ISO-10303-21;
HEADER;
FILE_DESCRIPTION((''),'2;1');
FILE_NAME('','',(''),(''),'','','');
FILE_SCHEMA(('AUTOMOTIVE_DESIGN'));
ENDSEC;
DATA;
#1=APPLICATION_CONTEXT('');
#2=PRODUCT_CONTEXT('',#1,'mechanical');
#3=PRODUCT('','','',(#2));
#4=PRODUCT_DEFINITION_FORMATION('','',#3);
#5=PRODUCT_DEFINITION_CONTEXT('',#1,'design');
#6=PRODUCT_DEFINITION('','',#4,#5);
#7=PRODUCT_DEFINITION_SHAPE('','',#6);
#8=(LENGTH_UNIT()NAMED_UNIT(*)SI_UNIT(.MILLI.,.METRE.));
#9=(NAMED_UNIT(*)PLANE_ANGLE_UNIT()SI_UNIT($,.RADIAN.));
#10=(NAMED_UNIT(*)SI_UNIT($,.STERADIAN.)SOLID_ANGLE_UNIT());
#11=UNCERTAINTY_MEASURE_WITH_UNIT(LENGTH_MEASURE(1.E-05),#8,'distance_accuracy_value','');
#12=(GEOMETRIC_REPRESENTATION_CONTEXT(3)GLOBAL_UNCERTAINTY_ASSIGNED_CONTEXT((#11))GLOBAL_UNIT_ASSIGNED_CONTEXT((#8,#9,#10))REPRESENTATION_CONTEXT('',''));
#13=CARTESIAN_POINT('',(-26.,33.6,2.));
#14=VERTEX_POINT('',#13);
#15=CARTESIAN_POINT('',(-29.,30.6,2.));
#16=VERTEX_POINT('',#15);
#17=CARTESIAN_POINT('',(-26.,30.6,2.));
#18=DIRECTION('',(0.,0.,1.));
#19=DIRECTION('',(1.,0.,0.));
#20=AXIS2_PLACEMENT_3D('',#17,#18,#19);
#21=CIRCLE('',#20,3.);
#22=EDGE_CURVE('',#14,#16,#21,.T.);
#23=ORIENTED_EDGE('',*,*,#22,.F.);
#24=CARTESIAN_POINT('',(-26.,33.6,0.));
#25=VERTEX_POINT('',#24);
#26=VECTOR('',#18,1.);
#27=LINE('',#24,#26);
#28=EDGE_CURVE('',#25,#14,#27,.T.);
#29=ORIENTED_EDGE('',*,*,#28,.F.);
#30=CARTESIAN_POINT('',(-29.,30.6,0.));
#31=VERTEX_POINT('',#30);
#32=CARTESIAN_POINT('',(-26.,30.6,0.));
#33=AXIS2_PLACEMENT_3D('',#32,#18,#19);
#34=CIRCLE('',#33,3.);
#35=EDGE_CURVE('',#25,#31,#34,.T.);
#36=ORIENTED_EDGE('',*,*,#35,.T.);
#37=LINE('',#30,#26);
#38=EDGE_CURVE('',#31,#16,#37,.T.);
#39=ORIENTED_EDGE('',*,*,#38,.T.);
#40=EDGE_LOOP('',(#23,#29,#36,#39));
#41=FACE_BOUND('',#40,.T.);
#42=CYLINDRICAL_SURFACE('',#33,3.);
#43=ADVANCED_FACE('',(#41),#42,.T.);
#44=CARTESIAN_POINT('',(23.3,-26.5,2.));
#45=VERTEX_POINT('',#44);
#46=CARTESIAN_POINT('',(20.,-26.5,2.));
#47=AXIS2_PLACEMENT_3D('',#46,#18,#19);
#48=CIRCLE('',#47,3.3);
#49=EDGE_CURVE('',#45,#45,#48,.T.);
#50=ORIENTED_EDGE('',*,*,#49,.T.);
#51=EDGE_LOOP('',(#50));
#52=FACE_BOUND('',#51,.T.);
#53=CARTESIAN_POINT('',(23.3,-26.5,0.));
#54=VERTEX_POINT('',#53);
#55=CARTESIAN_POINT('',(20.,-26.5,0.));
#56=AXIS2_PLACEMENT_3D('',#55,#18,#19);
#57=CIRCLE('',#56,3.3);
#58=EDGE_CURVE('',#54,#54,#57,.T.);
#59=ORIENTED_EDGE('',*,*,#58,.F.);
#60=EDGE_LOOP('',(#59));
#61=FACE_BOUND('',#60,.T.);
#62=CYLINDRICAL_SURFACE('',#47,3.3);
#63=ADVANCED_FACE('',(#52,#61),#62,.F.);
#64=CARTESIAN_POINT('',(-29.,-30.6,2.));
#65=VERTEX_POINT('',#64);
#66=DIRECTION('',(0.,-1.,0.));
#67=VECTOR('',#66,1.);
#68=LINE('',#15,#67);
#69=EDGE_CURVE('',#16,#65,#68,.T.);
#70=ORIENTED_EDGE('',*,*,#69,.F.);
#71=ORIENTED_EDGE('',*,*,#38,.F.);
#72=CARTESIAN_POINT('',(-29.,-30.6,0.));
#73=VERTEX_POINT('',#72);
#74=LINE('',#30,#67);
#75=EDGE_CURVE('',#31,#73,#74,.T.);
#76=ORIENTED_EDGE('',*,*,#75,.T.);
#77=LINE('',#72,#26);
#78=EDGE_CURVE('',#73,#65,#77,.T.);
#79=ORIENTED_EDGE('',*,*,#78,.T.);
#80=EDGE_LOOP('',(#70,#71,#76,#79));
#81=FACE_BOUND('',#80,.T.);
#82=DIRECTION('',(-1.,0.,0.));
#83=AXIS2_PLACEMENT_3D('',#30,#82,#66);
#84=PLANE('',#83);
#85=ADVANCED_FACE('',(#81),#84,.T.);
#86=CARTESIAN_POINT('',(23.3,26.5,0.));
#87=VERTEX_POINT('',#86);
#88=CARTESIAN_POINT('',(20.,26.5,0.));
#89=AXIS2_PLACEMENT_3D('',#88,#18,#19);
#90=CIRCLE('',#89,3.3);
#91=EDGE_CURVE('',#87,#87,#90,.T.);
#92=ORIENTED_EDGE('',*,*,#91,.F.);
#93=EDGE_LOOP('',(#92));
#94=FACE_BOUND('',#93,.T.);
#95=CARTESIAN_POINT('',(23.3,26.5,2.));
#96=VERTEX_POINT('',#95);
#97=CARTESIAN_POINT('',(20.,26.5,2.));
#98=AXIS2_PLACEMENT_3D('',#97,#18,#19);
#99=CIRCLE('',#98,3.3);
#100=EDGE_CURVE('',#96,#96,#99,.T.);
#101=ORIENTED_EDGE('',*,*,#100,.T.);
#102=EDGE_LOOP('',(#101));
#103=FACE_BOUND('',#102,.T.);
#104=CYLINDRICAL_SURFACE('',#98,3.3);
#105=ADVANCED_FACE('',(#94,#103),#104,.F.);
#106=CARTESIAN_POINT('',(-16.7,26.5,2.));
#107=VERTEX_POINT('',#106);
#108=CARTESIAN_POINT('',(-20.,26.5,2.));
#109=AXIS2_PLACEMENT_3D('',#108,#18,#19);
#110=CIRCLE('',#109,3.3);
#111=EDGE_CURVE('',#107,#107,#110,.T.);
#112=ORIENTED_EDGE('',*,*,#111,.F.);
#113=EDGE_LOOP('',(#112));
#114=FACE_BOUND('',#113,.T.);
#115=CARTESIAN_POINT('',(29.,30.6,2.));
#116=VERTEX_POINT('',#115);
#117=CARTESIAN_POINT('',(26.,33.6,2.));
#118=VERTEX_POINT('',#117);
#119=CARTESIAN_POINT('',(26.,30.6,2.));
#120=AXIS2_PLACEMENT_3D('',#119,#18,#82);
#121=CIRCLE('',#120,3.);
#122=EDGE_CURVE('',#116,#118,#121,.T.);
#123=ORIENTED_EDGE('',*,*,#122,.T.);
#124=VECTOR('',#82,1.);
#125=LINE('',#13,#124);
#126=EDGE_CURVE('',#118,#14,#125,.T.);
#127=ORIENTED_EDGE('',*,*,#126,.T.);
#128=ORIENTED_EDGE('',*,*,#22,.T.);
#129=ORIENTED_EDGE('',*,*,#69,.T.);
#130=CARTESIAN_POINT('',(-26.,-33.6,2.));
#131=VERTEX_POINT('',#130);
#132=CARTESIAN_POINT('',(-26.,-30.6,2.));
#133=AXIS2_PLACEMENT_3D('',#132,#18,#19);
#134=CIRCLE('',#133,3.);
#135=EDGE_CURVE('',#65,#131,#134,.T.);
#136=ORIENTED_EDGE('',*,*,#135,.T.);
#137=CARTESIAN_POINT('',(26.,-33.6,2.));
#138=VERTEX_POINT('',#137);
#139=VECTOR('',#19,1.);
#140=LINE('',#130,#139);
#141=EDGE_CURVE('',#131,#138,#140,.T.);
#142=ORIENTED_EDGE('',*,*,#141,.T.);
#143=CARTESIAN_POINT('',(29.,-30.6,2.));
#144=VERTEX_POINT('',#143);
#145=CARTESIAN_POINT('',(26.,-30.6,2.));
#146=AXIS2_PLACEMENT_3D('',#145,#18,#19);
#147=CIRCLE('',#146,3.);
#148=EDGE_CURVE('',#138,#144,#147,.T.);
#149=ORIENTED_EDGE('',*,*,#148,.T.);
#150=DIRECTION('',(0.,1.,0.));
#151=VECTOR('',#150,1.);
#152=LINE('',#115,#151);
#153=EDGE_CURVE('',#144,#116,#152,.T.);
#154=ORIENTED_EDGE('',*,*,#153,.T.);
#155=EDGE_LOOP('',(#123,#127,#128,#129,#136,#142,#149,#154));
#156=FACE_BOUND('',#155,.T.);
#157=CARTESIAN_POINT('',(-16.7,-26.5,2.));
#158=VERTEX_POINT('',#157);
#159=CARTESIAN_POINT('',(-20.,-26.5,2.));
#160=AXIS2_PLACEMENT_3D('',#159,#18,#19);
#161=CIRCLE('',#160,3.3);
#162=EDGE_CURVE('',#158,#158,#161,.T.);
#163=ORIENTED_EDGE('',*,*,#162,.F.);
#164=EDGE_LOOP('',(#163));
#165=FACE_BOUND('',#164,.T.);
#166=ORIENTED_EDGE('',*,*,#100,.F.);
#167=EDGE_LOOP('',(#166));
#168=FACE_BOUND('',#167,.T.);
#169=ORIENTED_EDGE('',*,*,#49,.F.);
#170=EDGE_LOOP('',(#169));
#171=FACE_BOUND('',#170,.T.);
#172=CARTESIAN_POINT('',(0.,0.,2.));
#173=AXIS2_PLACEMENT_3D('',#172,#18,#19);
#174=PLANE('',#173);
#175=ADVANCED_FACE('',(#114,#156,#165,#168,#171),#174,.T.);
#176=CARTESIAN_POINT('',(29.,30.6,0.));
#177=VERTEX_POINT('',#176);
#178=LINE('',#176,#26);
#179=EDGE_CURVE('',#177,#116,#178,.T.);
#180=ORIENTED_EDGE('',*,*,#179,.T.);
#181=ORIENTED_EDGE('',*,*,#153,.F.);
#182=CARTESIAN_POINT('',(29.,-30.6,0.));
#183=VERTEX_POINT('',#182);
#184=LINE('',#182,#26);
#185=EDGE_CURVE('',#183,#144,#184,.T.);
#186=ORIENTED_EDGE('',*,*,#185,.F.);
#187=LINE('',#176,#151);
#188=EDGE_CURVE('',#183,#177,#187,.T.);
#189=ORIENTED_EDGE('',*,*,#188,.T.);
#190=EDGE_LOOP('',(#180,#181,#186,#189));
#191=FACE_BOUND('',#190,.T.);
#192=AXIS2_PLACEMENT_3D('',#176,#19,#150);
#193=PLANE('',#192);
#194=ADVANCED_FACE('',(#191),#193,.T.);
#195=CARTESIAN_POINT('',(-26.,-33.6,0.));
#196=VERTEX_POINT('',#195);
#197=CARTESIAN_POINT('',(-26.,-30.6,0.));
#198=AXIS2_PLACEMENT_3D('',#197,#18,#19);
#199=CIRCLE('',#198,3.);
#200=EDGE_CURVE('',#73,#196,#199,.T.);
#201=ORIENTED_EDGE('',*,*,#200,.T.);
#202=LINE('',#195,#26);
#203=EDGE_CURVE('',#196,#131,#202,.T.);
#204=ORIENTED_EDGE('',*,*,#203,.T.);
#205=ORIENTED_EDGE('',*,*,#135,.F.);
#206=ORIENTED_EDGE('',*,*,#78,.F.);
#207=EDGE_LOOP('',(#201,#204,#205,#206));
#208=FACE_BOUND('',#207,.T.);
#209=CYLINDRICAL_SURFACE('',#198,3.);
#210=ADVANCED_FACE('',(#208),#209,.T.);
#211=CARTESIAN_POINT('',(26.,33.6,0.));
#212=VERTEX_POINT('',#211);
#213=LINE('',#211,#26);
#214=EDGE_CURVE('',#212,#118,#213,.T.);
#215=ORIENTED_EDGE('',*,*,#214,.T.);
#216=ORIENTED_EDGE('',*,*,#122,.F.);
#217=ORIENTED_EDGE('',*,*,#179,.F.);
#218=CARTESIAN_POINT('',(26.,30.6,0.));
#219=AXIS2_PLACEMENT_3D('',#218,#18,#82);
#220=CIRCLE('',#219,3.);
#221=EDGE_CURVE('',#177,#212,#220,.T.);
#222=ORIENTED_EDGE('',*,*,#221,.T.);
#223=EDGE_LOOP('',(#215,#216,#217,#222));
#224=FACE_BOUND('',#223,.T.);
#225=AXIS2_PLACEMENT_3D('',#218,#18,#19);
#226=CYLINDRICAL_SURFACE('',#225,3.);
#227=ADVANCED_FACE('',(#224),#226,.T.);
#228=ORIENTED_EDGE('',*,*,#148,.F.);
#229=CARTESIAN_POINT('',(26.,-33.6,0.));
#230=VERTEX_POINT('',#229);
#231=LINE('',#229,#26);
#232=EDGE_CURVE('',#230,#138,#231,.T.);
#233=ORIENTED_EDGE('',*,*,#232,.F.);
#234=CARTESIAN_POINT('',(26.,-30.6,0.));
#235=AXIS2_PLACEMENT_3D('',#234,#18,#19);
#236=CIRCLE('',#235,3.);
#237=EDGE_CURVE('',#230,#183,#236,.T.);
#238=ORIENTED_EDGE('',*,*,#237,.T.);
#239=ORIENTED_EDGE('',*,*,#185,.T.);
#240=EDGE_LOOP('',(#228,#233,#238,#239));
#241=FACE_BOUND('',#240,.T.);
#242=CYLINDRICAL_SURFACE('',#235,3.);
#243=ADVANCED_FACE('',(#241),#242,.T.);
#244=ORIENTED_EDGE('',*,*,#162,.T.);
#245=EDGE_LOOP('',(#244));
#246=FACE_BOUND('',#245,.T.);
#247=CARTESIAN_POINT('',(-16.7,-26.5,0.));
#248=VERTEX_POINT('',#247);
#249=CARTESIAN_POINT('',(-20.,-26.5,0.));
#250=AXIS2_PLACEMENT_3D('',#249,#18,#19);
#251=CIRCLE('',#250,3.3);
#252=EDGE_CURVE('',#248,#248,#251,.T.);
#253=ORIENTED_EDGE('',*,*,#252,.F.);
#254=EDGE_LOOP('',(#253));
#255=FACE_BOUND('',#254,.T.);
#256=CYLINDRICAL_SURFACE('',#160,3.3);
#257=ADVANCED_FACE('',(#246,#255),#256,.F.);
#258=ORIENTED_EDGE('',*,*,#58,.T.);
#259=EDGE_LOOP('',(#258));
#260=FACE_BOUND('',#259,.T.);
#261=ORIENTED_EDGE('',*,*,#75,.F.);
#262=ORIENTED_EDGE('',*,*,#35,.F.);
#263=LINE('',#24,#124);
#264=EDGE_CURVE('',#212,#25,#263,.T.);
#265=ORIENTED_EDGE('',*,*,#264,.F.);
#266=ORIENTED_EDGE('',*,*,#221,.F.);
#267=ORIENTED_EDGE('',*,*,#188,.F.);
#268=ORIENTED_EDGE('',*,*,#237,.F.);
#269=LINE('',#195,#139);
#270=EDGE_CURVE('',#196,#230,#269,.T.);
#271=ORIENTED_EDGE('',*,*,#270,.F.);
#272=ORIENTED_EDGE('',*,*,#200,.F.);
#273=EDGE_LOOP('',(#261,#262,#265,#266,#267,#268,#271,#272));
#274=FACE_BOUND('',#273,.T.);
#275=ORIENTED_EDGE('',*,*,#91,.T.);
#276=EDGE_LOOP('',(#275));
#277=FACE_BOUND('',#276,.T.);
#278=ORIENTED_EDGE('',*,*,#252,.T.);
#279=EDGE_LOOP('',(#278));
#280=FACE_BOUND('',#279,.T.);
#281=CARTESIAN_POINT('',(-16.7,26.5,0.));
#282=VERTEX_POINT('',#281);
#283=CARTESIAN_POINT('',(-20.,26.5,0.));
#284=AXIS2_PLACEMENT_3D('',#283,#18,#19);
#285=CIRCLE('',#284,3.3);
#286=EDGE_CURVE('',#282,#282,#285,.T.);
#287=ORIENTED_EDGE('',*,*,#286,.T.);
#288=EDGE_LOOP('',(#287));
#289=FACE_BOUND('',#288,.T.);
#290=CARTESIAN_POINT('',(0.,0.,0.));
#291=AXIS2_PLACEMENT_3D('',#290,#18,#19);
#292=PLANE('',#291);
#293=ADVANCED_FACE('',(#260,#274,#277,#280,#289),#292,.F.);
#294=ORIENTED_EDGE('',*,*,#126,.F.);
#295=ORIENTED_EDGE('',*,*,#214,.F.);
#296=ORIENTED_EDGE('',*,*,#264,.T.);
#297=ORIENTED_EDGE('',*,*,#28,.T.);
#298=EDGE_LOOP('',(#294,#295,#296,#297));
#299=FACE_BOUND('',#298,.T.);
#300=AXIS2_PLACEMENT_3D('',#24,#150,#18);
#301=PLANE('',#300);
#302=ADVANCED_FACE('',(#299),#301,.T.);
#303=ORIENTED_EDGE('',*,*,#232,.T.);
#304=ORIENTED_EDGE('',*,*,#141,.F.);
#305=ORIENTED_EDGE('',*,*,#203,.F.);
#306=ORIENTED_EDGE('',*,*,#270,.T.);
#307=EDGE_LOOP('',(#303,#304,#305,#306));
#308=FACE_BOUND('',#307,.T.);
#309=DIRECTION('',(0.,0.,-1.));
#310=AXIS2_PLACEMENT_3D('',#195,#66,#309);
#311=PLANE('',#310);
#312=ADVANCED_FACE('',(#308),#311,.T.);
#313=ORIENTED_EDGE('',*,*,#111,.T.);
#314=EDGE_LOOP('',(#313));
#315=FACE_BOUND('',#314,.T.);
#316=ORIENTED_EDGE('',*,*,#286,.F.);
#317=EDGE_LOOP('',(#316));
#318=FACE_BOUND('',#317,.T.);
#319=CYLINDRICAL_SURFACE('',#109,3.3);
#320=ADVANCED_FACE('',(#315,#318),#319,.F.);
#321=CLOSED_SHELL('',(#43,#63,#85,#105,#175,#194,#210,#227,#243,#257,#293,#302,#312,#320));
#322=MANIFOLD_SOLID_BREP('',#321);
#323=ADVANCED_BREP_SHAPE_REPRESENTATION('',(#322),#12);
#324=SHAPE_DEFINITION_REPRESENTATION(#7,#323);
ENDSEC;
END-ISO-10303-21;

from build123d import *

# Parameters (mm, degrees)
SKETCH1_W            = 52
SKETCH1_H            = 61.2
BOSS_EXTRUDE1_DEPTH  = 2
M6_CLEARANCE_HOLE1_D = 6.6
SKETCH4_W            = 52
SKETCH4_H            = 61.2
BOSS_EXTRUDE2_DEPTH  = 2


with BuildPart() as part:
    # Sketch1 → Boss-Extrude1 (new body)
    with BuildSketch(Plane.XY):
        Rectangle(SKETCH1_W, SKETCH1_H)
    extrude(amount=BOSS_EXTRUDE1_DEPTH)

    # M6 Clearance Hole1 (through all)
    with Locations(Plane.XY.offset(2)):
        with Locations((20, -26.5), (-20, -26.5), (-20, 26.5), (20, 26.5)):
            Hole(M6_CLEARANCE_HOLE1_D / 2)

    # Sketch4 → Boss-Extrude2 (add)
    with BuildSketch(Plane.XY.offset(2)):
        with BuildLine():
            Line((-26, 33.6), (26, 33.6))
            ThreePointArc((26, 33.6), (28.121320344, 32.721320344), (29, 30.6))
            Line((29, 30.6), (29, -30.6))
            ThreePointArc((29, -30.6), (28.121320344, -32.721320344), (26, -33.6))
            Line((26, -33.6), (-26, -33.6))
            ThreePointArc((-26, -33.6), (-28.121320344, -32.721320344), (-29, -30.6))
            Line((-29, -30.6), (-29, 30.6))
            ThreePointArc((-29, 30.6), (-28.121320344, 32.721320344), (-26, 33.6))
        make_face()
        Rectangle(SKETCH4_W, SKETCH4_H, mode=Mode.SUBTRACT)
    extrude(amount=-BOSS_EXTRUDE2_DEPTH)


solid = part.part
